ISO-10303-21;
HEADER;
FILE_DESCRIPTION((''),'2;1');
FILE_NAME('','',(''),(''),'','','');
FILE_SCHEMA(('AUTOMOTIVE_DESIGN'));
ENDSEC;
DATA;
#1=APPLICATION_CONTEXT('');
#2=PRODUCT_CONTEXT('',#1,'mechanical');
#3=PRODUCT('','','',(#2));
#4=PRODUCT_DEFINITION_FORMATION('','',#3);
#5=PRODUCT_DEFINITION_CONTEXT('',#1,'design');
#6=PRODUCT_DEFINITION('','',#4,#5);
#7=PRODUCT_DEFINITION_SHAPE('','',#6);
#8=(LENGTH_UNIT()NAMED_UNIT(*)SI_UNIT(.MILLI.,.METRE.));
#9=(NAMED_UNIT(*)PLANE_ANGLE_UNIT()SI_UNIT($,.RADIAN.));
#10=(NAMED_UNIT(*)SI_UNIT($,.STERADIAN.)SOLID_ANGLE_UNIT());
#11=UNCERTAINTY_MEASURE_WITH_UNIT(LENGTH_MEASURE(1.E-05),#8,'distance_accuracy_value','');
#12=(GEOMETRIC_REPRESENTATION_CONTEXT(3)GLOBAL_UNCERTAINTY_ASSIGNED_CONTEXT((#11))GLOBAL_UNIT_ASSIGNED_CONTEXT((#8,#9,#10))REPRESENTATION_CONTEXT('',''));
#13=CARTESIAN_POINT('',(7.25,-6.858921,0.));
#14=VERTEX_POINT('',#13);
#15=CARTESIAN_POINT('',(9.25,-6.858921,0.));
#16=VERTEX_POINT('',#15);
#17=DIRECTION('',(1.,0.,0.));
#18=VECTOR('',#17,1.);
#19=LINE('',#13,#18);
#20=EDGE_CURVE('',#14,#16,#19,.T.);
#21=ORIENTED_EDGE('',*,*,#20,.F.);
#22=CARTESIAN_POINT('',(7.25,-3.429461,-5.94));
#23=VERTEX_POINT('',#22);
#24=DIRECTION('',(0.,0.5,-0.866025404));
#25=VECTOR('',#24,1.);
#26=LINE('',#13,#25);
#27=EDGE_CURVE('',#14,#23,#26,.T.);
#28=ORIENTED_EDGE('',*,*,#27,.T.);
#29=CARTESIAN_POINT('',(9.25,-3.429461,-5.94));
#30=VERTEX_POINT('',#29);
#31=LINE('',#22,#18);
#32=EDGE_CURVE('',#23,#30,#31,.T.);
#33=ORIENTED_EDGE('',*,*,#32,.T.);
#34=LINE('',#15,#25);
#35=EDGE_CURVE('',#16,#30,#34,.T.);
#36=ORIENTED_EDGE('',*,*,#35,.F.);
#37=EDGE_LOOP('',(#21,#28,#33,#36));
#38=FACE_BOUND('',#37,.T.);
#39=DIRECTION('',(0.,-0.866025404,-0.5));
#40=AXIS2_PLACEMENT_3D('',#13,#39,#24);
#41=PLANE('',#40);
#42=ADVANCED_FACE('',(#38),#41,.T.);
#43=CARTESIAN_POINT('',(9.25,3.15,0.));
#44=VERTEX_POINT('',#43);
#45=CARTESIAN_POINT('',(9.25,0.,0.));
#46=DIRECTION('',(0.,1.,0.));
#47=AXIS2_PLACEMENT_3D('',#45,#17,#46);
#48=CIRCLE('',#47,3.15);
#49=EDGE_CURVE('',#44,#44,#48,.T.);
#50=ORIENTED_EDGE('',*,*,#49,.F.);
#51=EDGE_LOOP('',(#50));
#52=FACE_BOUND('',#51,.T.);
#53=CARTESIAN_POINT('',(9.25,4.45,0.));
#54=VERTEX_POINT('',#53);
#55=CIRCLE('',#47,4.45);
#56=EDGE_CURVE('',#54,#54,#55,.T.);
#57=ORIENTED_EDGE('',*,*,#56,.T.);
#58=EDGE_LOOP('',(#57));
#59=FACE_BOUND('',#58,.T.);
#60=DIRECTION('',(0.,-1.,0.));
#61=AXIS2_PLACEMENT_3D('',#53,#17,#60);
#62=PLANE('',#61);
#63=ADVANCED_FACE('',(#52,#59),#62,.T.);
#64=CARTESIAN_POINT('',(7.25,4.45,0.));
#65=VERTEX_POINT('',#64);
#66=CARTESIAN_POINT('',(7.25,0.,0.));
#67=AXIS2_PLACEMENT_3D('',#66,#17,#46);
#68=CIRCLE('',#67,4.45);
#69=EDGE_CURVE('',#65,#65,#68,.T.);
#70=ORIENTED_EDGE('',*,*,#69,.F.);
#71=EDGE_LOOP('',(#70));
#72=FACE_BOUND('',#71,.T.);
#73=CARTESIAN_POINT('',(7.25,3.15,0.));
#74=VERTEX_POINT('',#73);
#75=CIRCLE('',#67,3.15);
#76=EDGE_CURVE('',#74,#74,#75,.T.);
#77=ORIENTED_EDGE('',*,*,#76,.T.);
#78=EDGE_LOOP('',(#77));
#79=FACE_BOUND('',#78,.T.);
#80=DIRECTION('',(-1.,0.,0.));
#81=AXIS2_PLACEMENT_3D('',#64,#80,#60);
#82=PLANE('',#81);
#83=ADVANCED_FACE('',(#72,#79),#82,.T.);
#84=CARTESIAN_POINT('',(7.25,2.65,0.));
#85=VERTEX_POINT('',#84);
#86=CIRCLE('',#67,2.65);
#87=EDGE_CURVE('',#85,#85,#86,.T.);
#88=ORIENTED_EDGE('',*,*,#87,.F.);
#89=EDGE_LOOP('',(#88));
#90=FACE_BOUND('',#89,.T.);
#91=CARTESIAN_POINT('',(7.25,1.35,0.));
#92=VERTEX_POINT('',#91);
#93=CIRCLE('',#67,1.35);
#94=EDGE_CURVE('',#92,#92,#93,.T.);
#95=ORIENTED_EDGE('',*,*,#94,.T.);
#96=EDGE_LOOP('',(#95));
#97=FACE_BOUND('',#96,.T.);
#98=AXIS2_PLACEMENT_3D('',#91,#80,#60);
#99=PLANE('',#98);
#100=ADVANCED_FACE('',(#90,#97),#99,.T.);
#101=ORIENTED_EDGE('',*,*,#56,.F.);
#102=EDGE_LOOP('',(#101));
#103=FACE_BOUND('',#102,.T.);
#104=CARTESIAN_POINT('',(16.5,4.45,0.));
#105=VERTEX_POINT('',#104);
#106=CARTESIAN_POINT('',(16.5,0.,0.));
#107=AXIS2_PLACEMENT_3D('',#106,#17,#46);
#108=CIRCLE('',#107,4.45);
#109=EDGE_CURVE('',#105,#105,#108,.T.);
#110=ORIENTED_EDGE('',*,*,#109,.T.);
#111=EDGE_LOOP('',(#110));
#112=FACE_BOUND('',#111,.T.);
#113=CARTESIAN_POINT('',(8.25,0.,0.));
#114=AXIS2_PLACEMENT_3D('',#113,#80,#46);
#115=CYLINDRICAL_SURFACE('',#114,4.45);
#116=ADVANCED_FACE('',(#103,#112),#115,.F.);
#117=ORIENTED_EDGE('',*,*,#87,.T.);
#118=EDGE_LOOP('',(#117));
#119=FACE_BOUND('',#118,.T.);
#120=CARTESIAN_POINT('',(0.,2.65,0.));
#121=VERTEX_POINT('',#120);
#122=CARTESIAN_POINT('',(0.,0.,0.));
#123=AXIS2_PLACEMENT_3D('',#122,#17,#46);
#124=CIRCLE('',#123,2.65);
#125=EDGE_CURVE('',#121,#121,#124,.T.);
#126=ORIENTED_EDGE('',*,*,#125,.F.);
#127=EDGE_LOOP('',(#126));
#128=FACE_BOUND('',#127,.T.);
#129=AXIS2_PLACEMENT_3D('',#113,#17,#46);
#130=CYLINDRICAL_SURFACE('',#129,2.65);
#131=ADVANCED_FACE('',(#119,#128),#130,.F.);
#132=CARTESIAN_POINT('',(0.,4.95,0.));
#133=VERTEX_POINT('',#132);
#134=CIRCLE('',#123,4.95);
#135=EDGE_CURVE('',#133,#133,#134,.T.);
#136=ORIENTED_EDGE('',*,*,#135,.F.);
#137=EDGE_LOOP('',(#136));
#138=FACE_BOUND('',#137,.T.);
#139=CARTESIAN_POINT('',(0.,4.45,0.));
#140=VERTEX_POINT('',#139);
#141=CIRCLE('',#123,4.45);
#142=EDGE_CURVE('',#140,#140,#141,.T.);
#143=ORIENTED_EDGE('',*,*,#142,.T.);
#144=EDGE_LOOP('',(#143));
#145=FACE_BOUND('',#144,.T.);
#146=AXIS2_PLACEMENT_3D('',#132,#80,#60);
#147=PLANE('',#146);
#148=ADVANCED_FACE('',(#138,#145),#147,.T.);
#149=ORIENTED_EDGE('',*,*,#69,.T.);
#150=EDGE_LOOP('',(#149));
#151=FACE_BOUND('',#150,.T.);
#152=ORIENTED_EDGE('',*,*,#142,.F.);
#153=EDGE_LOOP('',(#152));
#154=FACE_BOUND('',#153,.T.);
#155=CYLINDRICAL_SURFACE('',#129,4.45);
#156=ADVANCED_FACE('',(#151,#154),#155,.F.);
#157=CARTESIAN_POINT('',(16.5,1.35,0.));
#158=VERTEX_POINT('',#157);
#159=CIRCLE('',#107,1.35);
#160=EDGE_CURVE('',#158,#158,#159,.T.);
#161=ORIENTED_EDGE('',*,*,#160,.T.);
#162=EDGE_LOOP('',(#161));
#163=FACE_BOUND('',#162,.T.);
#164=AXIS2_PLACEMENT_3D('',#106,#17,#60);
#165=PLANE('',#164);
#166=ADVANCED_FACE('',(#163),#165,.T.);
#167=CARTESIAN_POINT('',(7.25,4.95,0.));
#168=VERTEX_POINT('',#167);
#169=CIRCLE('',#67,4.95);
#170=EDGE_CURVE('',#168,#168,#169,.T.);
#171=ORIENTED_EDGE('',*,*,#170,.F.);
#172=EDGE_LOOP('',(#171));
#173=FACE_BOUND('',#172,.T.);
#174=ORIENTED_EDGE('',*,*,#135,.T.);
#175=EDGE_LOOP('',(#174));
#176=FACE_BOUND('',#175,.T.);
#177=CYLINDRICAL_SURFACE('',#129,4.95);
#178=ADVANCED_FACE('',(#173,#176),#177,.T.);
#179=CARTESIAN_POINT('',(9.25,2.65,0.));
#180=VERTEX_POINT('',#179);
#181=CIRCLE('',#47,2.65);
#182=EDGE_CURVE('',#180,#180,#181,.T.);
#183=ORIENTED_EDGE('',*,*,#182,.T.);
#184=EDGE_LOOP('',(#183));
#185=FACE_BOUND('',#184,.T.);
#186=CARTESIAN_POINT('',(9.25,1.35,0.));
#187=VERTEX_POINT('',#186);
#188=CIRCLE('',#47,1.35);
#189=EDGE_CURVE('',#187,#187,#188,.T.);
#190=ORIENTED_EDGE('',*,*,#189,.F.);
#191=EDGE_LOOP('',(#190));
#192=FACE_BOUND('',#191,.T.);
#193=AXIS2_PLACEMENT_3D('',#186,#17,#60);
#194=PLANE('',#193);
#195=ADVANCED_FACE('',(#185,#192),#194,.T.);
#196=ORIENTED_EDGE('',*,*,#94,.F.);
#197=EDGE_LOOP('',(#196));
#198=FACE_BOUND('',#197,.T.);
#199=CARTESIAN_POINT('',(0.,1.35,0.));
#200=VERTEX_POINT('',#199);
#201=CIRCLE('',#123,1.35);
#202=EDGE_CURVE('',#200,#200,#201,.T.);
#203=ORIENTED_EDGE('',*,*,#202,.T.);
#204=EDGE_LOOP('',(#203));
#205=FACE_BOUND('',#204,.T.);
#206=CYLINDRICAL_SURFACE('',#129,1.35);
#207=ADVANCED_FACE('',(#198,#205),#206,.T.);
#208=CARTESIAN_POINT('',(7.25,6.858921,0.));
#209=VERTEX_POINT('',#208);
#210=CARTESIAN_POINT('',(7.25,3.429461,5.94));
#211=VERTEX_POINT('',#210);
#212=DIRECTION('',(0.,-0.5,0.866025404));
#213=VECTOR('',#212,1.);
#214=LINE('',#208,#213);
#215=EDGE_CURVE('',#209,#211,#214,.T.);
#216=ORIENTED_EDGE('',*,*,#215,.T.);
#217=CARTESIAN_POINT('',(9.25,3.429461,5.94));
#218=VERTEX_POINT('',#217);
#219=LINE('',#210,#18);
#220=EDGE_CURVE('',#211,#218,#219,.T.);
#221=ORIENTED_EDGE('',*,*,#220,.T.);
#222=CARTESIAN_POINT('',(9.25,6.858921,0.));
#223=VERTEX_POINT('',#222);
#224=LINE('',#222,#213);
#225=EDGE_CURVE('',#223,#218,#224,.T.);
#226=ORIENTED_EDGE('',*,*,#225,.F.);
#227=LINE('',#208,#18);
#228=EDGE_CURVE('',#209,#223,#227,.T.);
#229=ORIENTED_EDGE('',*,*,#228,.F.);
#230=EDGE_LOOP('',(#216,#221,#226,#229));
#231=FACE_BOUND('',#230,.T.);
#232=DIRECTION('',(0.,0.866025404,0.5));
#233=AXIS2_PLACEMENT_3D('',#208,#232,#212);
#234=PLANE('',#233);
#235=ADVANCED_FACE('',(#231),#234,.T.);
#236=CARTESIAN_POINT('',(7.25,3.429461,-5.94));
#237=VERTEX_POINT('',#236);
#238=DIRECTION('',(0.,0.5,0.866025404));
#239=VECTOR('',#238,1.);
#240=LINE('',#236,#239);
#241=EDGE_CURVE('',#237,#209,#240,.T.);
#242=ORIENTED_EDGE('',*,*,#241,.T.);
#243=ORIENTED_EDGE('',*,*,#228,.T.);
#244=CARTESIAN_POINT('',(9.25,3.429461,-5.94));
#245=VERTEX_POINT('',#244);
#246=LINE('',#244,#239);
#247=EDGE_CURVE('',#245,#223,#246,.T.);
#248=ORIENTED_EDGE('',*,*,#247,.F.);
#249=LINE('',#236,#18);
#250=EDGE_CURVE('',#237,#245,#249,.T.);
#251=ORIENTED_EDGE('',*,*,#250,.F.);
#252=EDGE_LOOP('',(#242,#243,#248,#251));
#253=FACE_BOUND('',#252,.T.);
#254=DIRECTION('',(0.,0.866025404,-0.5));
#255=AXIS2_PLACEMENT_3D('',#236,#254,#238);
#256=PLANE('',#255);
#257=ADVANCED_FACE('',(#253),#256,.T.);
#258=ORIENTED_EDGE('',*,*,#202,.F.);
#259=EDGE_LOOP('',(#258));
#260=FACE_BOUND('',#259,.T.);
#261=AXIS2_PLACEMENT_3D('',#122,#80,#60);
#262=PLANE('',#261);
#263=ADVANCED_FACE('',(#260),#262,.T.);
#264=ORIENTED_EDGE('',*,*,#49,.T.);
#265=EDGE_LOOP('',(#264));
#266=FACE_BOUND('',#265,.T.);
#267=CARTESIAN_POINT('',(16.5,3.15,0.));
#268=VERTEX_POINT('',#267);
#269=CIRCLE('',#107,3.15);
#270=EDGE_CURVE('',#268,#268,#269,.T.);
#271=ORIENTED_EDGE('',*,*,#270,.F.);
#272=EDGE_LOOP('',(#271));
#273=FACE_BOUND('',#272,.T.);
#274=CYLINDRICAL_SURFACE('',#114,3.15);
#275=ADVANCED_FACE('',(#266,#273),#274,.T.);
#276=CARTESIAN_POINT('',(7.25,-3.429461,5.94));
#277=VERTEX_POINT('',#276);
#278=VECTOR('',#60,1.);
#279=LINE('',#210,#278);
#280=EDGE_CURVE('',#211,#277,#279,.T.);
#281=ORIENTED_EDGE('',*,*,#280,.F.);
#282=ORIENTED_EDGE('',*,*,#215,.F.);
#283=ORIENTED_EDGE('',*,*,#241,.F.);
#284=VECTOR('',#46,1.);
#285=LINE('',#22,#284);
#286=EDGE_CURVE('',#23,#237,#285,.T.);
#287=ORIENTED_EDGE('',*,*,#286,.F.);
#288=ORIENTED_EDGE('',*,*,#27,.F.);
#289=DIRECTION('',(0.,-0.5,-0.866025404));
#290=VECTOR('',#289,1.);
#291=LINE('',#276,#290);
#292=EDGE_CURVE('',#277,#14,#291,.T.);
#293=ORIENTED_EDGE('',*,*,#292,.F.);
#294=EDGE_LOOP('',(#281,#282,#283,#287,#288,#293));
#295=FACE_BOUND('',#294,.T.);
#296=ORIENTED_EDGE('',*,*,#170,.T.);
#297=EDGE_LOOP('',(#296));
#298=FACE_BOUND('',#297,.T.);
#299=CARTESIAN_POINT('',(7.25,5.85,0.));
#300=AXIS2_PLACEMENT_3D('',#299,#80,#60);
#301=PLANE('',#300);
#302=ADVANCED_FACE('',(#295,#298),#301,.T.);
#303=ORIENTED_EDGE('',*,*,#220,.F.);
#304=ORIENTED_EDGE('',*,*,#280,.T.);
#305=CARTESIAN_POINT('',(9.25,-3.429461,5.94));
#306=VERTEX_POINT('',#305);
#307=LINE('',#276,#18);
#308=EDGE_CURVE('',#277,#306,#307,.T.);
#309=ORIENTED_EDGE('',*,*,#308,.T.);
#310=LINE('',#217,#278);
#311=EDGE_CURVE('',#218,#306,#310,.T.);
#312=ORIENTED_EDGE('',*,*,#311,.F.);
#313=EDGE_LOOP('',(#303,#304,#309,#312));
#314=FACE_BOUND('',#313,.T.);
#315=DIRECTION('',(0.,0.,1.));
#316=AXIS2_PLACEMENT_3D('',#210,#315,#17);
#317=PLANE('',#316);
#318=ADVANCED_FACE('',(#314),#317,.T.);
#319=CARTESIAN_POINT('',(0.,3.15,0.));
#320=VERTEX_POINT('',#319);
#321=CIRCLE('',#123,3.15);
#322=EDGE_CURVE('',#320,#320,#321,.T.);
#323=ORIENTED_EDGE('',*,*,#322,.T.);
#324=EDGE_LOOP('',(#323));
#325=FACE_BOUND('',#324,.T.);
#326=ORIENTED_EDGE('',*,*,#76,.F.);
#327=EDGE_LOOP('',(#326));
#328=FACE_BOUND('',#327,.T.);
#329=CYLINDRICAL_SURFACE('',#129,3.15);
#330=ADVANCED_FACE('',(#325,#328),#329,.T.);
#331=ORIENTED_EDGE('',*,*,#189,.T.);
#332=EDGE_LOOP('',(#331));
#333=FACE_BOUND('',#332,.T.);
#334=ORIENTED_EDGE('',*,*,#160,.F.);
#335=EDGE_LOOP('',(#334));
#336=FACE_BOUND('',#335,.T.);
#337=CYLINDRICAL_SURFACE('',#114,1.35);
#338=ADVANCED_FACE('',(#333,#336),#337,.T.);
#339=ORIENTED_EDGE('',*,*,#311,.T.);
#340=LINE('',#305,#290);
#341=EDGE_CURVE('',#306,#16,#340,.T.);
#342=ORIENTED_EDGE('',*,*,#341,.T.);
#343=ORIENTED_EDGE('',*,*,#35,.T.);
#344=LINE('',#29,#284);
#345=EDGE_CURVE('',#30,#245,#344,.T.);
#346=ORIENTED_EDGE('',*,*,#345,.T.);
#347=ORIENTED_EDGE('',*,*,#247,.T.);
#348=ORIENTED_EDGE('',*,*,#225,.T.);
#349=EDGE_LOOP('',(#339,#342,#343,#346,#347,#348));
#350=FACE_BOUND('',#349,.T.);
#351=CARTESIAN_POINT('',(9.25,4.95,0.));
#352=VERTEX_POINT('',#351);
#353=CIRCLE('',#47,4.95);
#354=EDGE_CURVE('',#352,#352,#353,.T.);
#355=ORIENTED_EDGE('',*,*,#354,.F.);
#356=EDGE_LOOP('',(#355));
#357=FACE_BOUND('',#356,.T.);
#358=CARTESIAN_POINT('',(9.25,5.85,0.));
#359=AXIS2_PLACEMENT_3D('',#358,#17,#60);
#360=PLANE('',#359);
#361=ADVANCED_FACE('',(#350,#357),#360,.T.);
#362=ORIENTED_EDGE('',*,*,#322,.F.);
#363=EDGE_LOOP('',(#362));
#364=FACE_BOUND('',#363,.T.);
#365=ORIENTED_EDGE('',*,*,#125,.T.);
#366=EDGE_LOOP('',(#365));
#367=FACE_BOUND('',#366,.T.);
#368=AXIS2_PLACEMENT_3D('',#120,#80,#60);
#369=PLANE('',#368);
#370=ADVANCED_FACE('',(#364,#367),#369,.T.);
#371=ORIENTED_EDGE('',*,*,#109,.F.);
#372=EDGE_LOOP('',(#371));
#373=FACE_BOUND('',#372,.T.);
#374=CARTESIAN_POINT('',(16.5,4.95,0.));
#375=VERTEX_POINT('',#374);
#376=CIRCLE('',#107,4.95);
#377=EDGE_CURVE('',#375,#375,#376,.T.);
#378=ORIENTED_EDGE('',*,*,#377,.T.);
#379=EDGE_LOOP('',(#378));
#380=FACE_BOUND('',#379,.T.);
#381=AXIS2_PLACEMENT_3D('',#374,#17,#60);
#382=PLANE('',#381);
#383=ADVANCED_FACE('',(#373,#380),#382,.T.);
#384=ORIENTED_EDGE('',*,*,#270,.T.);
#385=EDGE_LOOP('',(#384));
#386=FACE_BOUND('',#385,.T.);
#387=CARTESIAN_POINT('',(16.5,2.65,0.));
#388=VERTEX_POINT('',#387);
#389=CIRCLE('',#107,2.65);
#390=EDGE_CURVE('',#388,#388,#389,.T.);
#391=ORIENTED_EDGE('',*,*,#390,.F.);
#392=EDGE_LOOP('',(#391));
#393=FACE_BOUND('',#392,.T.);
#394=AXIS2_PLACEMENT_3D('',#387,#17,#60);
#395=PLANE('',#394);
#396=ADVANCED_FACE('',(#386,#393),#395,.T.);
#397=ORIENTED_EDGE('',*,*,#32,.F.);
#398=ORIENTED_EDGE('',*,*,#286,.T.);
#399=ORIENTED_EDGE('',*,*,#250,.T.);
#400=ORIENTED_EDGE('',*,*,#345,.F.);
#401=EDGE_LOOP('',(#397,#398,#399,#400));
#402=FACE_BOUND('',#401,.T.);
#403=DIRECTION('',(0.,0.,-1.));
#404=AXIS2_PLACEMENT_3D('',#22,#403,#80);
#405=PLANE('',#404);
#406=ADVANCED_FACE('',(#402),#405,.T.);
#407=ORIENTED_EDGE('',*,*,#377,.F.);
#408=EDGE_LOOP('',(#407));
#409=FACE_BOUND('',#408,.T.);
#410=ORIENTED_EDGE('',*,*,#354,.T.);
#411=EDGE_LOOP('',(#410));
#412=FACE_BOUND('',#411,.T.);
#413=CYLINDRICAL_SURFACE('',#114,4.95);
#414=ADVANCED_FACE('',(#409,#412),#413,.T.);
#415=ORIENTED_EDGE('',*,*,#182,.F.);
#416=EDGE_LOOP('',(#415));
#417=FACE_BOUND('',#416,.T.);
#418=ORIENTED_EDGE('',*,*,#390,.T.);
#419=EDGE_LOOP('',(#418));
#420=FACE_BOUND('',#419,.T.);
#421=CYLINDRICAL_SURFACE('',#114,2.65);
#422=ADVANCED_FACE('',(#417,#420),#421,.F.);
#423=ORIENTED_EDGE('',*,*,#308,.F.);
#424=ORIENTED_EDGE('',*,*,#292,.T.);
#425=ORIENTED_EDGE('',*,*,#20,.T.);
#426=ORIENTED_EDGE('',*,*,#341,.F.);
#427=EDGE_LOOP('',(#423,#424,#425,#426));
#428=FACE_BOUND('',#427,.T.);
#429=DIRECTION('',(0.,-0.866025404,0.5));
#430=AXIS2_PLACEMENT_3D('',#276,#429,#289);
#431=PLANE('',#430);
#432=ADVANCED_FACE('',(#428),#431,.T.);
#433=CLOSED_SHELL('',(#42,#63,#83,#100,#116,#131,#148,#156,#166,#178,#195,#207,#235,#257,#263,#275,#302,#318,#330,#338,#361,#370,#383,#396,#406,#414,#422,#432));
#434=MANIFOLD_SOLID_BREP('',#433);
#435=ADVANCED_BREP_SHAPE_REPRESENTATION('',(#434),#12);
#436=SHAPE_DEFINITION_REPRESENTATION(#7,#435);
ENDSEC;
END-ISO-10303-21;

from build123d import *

# Parameters (mm, degrees)
BOSS_EXTRUDE1_DEPTH = 1


with BuildPart() as part:
    # Sketch1 → Revolve1 (revolve)
    with BuildSketch(Plane.XY):
        Polygon((0, 0), (0, 1.35), (7.25, 1.35), (7.25, 2.65), (0, 2.65), (0, 3.15), (7.25, 3.15), (7.25, 4.45), (0, 4.45), (0, 4.95), (7.25, 4.95), (7.25, 5.85), (8.25, 5.85), (8.25, 0), align=None)
    revolve(axis=Axis((8.25, 0, 0), (-1, 0, 0)))

    # Sketch2 → Boss-Extrude1 (add)
    with BuildSketch(Plane(origin=(8.25, 0, 0), x_dir=(0, 0, -1), z_dir=(1, 0, 0))):
        Polygon((5.94, -3.429460599), (5.94, 3.429460599), (0, 6.858921198), (-5.94, 3.429460599), (-5.94, -3.429460599), (0, -6.858921198), align=None)
    extrude(amount=-BOSS_EXTRUDE1_DEPTH)

    # Mirror1: part across face


with BuildPart() as part_1:
    add(part.part)
    add(part.part.mirror(Plane(origin=(8.25, 0, 0), x_dir=(0, 0, 1), z_dir=(1, 0, 0))))


solid = part_1.part
